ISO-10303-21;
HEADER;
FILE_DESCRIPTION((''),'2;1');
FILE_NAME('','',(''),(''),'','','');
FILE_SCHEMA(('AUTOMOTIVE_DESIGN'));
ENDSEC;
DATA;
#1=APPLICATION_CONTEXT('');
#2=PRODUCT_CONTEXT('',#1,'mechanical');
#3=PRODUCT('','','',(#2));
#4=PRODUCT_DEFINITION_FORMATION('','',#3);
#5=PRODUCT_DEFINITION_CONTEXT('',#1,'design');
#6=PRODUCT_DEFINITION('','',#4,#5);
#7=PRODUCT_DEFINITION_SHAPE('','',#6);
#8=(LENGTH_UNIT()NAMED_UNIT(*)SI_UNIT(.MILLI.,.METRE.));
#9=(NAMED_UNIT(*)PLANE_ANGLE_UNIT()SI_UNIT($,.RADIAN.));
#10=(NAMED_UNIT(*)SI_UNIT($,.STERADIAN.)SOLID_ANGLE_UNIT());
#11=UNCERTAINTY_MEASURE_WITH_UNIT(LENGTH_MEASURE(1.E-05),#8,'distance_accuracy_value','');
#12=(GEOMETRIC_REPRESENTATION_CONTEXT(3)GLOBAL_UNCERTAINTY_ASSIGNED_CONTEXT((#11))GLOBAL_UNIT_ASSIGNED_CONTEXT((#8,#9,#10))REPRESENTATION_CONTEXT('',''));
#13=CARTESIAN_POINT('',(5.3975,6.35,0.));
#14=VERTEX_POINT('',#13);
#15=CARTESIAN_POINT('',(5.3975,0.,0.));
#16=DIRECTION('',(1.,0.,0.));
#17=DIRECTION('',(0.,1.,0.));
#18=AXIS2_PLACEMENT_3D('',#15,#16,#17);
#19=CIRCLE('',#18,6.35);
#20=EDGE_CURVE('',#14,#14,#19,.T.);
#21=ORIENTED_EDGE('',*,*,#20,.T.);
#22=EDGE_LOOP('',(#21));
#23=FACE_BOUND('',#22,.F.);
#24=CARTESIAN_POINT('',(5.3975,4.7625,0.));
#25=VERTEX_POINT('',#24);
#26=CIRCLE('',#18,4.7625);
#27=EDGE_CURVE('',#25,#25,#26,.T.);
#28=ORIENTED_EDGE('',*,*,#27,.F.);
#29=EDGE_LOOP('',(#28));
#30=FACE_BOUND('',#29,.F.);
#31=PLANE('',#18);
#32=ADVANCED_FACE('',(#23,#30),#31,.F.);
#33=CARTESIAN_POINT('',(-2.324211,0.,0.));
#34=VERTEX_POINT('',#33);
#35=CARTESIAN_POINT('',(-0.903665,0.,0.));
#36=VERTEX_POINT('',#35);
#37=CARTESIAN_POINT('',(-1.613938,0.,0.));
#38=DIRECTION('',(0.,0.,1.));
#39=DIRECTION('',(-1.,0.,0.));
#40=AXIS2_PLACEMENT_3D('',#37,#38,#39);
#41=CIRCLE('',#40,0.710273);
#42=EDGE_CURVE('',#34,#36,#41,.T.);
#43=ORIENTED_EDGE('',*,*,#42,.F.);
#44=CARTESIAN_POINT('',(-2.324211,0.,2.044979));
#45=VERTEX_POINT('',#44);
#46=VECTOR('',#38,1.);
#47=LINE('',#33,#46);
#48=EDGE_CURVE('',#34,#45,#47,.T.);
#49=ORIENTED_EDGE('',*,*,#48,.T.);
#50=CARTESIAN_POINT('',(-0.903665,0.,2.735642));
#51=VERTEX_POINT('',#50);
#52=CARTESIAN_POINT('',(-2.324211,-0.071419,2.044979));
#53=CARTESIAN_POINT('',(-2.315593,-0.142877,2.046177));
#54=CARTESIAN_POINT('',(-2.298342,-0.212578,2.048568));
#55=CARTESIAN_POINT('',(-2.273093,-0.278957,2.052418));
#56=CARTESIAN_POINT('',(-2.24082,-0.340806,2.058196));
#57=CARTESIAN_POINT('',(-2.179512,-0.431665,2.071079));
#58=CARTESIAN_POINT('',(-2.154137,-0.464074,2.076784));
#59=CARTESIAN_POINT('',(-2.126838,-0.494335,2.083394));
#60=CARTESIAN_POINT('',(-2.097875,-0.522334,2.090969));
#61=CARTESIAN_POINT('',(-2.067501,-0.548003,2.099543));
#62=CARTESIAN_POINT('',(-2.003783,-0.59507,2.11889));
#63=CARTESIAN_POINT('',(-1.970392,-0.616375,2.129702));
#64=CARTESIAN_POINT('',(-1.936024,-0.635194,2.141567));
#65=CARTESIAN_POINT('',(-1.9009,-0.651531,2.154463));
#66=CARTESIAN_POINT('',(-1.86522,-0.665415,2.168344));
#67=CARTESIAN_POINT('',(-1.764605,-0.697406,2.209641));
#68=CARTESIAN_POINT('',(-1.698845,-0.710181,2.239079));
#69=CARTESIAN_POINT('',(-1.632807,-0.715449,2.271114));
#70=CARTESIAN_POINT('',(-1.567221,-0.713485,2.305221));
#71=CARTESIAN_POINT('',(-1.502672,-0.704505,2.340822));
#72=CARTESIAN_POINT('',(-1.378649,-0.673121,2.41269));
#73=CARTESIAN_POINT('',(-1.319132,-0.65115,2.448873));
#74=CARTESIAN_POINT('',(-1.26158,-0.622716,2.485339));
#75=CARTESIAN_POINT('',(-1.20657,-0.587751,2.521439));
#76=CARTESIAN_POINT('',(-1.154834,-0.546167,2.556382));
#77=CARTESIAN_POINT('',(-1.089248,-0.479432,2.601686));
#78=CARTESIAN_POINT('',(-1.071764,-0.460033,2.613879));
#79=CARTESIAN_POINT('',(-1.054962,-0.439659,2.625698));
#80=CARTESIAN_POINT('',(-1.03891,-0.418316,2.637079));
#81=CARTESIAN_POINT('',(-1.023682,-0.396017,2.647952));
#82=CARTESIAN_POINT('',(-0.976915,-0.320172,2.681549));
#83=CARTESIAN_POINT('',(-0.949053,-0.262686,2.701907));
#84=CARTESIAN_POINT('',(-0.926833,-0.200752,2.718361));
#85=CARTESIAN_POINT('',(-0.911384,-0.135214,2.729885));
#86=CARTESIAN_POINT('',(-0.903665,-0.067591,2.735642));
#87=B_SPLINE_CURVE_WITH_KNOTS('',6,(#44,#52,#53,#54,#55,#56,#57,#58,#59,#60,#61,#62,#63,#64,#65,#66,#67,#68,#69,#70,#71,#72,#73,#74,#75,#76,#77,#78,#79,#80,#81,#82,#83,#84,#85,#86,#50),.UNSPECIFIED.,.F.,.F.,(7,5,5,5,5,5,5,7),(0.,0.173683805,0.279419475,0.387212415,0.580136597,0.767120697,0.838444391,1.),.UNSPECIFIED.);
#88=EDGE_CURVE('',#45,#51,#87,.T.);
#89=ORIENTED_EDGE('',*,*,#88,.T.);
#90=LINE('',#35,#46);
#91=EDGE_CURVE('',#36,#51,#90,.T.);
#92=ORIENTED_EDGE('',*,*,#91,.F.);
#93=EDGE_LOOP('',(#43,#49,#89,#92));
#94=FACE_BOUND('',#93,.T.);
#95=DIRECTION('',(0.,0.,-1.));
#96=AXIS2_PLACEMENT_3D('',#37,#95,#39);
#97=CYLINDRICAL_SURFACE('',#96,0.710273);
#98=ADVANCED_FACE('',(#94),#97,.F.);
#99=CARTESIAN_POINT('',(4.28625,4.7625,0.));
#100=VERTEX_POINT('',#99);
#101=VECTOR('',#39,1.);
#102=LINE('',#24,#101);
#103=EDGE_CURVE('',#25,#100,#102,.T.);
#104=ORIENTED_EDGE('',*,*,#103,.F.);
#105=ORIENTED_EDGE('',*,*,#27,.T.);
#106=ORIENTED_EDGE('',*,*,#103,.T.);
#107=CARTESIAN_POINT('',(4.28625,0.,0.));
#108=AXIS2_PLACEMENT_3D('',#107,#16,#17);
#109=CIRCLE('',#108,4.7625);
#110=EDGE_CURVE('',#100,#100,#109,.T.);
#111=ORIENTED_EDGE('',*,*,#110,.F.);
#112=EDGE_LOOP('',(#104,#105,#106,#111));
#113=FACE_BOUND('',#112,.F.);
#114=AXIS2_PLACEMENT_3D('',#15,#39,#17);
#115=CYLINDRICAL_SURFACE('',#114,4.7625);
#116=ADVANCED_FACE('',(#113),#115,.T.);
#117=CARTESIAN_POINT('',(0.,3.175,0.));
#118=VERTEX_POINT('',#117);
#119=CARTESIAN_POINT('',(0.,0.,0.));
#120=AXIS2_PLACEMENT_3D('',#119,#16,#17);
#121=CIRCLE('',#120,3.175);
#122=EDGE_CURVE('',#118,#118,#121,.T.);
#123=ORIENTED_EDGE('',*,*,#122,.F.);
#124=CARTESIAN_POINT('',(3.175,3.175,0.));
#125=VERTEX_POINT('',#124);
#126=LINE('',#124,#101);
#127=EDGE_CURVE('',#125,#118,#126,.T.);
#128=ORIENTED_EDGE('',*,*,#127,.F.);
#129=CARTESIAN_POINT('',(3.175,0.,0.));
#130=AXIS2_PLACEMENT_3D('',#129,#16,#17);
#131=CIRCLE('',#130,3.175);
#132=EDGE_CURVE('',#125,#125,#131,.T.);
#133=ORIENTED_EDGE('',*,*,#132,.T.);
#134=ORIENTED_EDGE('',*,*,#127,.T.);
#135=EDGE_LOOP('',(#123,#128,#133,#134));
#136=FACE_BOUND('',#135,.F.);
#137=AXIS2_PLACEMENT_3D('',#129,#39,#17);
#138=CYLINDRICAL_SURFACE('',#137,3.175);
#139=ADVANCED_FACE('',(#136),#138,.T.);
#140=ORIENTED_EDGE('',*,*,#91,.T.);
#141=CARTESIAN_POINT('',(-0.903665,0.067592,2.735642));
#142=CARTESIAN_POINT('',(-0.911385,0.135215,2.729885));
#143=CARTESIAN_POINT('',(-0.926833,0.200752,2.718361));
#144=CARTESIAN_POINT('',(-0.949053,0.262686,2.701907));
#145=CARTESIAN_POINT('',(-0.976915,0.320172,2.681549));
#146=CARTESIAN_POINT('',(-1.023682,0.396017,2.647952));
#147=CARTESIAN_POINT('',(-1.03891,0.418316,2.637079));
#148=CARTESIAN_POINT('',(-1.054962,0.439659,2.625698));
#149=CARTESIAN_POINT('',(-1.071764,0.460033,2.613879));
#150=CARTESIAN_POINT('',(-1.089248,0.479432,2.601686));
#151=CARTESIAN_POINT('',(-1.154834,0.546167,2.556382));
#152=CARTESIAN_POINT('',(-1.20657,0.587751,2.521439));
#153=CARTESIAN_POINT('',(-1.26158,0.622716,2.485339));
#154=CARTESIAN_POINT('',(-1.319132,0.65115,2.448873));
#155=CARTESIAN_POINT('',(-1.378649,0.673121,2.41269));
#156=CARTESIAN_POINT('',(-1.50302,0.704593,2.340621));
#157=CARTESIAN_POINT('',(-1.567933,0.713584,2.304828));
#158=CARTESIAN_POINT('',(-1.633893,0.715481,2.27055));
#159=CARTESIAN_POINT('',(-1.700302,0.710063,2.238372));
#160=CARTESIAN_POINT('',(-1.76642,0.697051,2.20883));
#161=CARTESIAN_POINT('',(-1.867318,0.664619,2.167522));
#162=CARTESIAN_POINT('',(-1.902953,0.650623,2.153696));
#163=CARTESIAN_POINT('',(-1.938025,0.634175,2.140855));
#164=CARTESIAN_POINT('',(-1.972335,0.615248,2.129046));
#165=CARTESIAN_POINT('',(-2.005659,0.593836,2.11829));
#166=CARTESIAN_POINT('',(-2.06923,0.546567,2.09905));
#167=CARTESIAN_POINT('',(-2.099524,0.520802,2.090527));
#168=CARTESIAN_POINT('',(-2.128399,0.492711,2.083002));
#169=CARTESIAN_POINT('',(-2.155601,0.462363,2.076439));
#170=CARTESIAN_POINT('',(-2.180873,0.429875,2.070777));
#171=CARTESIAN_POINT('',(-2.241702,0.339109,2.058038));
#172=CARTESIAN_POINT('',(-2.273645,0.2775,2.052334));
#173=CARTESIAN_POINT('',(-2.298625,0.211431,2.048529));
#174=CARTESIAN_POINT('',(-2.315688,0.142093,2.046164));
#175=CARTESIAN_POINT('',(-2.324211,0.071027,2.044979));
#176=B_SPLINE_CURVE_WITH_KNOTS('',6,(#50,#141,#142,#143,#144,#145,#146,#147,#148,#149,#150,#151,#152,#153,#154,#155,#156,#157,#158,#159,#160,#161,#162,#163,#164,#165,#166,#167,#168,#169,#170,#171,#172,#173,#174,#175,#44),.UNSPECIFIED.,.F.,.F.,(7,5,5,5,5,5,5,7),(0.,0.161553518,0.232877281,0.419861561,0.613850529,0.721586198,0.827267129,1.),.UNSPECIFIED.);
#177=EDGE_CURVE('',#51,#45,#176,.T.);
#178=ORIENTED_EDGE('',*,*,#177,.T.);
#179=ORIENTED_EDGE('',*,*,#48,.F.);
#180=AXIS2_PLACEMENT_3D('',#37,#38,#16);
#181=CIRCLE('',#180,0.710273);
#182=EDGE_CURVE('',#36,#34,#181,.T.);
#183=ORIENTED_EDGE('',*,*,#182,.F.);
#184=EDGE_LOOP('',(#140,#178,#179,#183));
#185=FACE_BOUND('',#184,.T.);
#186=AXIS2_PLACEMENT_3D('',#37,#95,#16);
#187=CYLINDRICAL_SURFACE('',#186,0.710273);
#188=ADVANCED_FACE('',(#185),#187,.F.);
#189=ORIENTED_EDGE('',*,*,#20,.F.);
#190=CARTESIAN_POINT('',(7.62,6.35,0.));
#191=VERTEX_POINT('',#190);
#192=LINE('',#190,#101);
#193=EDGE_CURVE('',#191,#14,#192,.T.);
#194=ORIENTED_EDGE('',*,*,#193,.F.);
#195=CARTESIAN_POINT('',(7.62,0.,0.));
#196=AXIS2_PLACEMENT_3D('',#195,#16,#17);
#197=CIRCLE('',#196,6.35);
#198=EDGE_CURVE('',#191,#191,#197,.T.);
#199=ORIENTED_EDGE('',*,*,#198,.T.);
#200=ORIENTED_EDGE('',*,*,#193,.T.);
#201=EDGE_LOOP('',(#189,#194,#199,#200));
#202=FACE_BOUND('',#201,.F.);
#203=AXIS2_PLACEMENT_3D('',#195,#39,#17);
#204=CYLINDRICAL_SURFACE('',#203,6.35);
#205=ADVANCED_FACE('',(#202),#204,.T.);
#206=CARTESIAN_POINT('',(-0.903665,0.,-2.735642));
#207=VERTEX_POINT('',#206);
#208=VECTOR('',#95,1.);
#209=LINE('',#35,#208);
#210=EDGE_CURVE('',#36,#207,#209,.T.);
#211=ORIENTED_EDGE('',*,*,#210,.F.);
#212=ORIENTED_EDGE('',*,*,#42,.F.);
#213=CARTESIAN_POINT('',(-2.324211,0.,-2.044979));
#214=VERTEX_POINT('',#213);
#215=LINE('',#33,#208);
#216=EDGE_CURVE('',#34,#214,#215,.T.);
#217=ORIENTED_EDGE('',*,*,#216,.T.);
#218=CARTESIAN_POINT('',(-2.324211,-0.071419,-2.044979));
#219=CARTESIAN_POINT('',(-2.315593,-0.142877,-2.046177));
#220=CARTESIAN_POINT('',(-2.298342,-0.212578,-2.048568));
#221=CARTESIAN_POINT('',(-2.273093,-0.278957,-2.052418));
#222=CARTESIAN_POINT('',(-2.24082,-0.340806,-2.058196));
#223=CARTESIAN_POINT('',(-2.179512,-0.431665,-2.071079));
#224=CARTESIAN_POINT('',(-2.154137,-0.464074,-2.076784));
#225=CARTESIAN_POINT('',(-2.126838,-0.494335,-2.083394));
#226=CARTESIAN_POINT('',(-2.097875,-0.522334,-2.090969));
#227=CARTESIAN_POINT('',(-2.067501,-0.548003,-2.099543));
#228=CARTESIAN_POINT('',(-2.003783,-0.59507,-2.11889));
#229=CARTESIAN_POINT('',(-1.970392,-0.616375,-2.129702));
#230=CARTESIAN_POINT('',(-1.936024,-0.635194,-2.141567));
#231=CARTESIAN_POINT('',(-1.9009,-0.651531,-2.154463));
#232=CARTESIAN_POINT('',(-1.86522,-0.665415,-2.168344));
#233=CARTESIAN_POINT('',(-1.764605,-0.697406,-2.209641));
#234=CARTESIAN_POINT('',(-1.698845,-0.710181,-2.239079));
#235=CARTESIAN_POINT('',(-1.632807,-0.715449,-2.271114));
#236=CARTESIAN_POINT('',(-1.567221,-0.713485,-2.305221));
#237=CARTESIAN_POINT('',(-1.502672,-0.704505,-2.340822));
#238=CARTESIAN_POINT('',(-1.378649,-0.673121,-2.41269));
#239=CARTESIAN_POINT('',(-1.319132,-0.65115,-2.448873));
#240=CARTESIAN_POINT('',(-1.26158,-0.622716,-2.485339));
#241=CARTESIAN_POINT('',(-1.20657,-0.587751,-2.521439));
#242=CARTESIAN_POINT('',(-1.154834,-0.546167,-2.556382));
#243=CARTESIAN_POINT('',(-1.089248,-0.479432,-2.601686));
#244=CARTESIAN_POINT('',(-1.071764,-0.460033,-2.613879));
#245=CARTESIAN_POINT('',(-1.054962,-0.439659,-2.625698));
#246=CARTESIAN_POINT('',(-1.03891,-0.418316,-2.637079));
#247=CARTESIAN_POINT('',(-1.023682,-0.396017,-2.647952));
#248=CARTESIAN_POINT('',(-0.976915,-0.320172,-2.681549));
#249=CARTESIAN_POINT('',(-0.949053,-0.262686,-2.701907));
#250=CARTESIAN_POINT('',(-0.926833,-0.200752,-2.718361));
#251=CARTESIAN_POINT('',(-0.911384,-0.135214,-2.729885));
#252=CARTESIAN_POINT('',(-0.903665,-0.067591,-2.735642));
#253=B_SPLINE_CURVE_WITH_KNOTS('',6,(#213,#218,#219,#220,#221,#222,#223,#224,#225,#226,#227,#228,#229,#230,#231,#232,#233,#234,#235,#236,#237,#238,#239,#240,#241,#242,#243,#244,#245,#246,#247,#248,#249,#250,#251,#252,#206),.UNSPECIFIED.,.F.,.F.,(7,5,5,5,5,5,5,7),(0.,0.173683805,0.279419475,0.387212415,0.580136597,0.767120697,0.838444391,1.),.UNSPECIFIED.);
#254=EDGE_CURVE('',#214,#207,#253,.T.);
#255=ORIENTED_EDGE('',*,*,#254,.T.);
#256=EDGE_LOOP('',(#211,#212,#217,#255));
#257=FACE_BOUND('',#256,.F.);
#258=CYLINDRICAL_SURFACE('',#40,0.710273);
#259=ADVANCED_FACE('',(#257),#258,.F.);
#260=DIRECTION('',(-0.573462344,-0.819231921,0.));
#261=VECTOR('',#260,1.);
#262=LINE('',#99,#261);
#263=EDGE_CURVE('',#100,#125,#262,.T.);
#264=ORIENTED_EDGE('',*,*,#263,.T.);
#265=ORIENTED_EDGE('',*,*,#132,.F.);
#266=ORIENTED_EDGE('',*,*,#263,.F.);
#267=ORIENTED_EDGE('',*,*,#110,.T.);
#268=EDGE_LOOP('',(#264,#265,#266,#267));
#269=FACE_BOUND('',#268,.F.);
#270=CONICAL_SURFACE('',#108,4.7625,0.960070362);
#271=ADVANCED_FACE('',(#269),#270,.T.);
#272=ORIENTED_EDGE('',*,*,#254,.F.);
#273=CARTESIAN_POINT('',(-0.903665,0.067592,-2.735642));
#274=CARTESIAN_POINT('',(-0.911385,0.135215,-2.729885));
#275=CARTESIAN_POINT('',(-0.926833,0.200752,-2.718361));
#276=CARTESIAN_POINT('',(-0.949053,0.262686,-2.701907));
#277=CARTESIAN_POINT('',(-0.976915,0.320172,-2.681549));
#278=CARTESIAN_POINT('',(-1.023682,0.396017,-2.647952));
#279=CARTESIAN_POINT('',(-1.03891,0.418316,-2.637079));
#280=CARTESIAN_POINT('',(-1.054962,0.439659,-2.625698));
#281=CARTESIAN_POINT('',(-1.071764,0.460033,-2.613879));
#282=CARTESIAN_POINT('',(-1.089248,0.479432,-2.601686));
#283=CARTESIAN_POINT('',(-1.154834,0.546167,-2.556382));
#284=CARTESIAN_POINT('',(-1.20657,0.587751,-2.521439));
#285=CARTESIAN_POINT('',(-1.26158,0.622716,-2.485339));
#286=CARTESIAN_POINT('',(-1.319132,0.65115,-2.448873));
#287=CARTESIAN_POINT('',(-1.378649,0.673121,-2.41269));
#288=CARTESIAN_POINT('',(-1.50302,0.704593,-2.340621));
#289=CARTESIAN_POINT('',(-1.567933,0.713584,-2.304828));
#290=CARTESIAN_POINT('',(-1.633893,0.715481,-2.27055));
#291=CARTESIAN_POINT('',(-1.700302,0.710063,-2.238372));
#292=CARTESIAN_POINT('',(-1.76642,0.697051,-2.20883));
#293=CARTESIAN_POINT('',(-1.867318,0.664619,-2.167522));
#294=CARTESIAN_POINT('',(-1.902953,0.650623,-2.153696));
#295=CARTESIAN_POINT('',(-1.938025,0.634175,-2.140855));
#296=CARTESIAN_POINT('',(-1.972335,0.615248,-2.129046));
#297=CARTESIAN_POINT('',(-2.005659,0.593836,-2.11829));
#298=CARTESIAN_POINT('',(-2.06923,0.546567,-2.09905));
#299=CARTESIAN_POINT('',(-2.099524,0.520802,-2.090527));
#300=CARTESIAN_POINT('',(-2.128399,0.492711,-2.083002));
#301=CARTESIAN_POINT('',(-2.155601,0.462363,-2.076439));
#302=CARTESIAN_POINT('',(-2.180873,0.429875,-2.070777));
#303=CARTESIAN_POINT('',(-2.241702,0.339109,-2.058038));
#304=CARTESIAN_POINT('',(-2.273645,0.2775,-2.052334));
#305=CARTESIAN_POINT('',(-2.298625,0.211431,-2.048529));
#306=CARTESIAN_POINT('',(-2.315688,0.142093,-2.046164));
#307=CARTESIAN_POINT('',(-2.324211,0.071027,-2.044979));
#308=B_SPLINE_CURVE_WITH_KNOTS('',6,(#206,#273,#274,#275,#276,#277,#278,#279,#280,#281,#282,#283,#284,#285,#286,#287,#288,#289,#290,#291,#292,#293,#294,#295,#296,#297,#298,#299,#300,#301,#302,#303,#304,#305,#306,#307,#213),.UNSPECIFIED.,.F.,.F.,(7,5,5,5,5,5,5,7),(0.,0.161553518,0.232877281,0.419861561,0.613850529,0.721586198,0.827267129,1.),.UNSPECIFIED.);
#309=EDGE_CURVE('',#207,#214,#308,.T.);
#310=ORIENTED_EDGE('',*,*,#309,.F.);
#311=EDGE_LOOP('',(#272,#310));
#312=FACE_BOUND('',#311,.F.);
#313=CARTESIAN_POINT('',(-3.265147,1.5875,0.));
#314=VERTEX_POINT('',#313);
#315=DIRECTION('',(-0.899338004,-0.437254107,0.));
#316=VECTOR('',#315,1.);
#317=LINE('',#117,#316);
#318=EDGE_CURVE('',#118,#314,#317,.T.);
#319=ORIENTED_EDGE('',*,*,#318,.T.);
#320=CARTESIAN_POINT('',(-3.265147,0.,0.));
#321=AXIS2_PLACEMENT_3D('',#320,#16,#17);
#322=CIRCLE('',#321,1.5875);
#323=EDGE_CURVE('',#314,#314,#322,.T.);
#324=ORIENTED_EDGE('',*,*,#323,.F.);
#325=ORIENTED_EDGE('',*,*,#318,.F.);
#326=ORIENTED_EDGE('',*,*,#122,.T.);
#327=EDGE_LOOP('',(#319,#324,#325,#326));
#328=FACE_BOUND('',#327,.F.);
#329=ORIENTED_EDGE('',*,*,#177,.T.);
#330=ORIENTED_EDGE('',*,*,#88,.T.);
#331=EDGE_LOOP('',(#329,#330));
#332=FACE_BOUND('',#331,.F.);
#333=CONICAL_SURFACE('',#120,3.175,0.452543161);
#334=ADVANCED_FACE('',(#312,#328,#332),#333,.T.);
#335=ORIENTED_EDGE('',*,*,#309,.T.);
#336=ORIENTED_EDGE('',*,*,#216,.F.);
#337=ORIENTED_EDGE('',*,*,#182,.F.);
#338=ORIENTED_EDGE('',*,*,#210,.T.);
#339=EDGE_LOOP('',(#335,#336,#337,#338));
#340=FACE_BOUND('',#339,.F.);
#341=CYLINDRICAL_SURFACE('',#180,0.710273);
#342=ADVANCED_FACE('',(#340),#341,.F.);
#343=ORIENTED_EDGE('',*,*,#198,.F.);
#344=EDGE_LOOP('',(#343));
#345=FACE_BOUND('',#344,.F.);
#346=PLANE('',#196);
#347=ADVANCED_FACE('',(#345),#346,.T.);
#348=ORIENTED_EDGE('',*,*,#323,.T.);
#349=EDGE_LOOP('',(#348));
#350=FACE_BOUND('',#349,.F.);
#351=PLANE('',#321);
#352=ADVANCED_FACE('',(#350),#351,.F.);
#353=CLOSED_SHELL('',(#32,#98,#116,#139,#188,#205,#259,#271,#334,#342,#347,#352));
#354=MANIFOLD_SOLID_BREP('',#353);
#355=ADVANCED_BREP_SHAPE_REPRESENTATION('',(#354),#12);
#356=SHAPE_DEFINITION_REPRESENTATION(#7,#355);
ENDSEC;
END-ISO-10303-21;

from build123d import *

# Parameters (mm, degrees)
F3_DEPTH      = 6.351
F3_DEPTH_BACK = 6.351


with BuildPart() as f1:
    # F0 (on Top) → F1 (revolve)
    with BuildSketch(Plane.XY):
        Polygon((3.175, 3.175), (0, 3.175), (-3.2651473302, 1.5875), (-3.2651473302, 0), (0, 0), (7.62, 0), (7.62, 6.35), (5.3975, 6.35), (5.3975, 4.7625), (4.28625, 4.7625), align=None)
    revolve(axis=Axis((3.81, 0, 0), (1, 0, 0)))

    # F2 (on Top) → F3 (cut, two sides)
    with BuildSketch(Plane.XY) as f3_sk:
        with BuildLine():
            ThreePointArc((-2.3242110538, 0), (-1.6139382496, -0.7102728041), (-0.9036654455, 0))
            Line((-0.9036654455, 0), (-2.3242110538, 0))
        make_face()
        with BuildLine():
            Line((-2.3242110538, 0), (-0.9036654455, 0))
            ThreePointArc((-0.9036654455, 0), (-1.6139382496, 0.7102728041), (-2.3242110538, 0))
        make_face()
    extrude(amount=-F3_DEPTH, mode=Mode.SUBTRACT)
    extrude(f3_sk.sketch, amount=F3_DEPTH_BACK, mode=Mode.SUBTRACT)


solid = f1.part
